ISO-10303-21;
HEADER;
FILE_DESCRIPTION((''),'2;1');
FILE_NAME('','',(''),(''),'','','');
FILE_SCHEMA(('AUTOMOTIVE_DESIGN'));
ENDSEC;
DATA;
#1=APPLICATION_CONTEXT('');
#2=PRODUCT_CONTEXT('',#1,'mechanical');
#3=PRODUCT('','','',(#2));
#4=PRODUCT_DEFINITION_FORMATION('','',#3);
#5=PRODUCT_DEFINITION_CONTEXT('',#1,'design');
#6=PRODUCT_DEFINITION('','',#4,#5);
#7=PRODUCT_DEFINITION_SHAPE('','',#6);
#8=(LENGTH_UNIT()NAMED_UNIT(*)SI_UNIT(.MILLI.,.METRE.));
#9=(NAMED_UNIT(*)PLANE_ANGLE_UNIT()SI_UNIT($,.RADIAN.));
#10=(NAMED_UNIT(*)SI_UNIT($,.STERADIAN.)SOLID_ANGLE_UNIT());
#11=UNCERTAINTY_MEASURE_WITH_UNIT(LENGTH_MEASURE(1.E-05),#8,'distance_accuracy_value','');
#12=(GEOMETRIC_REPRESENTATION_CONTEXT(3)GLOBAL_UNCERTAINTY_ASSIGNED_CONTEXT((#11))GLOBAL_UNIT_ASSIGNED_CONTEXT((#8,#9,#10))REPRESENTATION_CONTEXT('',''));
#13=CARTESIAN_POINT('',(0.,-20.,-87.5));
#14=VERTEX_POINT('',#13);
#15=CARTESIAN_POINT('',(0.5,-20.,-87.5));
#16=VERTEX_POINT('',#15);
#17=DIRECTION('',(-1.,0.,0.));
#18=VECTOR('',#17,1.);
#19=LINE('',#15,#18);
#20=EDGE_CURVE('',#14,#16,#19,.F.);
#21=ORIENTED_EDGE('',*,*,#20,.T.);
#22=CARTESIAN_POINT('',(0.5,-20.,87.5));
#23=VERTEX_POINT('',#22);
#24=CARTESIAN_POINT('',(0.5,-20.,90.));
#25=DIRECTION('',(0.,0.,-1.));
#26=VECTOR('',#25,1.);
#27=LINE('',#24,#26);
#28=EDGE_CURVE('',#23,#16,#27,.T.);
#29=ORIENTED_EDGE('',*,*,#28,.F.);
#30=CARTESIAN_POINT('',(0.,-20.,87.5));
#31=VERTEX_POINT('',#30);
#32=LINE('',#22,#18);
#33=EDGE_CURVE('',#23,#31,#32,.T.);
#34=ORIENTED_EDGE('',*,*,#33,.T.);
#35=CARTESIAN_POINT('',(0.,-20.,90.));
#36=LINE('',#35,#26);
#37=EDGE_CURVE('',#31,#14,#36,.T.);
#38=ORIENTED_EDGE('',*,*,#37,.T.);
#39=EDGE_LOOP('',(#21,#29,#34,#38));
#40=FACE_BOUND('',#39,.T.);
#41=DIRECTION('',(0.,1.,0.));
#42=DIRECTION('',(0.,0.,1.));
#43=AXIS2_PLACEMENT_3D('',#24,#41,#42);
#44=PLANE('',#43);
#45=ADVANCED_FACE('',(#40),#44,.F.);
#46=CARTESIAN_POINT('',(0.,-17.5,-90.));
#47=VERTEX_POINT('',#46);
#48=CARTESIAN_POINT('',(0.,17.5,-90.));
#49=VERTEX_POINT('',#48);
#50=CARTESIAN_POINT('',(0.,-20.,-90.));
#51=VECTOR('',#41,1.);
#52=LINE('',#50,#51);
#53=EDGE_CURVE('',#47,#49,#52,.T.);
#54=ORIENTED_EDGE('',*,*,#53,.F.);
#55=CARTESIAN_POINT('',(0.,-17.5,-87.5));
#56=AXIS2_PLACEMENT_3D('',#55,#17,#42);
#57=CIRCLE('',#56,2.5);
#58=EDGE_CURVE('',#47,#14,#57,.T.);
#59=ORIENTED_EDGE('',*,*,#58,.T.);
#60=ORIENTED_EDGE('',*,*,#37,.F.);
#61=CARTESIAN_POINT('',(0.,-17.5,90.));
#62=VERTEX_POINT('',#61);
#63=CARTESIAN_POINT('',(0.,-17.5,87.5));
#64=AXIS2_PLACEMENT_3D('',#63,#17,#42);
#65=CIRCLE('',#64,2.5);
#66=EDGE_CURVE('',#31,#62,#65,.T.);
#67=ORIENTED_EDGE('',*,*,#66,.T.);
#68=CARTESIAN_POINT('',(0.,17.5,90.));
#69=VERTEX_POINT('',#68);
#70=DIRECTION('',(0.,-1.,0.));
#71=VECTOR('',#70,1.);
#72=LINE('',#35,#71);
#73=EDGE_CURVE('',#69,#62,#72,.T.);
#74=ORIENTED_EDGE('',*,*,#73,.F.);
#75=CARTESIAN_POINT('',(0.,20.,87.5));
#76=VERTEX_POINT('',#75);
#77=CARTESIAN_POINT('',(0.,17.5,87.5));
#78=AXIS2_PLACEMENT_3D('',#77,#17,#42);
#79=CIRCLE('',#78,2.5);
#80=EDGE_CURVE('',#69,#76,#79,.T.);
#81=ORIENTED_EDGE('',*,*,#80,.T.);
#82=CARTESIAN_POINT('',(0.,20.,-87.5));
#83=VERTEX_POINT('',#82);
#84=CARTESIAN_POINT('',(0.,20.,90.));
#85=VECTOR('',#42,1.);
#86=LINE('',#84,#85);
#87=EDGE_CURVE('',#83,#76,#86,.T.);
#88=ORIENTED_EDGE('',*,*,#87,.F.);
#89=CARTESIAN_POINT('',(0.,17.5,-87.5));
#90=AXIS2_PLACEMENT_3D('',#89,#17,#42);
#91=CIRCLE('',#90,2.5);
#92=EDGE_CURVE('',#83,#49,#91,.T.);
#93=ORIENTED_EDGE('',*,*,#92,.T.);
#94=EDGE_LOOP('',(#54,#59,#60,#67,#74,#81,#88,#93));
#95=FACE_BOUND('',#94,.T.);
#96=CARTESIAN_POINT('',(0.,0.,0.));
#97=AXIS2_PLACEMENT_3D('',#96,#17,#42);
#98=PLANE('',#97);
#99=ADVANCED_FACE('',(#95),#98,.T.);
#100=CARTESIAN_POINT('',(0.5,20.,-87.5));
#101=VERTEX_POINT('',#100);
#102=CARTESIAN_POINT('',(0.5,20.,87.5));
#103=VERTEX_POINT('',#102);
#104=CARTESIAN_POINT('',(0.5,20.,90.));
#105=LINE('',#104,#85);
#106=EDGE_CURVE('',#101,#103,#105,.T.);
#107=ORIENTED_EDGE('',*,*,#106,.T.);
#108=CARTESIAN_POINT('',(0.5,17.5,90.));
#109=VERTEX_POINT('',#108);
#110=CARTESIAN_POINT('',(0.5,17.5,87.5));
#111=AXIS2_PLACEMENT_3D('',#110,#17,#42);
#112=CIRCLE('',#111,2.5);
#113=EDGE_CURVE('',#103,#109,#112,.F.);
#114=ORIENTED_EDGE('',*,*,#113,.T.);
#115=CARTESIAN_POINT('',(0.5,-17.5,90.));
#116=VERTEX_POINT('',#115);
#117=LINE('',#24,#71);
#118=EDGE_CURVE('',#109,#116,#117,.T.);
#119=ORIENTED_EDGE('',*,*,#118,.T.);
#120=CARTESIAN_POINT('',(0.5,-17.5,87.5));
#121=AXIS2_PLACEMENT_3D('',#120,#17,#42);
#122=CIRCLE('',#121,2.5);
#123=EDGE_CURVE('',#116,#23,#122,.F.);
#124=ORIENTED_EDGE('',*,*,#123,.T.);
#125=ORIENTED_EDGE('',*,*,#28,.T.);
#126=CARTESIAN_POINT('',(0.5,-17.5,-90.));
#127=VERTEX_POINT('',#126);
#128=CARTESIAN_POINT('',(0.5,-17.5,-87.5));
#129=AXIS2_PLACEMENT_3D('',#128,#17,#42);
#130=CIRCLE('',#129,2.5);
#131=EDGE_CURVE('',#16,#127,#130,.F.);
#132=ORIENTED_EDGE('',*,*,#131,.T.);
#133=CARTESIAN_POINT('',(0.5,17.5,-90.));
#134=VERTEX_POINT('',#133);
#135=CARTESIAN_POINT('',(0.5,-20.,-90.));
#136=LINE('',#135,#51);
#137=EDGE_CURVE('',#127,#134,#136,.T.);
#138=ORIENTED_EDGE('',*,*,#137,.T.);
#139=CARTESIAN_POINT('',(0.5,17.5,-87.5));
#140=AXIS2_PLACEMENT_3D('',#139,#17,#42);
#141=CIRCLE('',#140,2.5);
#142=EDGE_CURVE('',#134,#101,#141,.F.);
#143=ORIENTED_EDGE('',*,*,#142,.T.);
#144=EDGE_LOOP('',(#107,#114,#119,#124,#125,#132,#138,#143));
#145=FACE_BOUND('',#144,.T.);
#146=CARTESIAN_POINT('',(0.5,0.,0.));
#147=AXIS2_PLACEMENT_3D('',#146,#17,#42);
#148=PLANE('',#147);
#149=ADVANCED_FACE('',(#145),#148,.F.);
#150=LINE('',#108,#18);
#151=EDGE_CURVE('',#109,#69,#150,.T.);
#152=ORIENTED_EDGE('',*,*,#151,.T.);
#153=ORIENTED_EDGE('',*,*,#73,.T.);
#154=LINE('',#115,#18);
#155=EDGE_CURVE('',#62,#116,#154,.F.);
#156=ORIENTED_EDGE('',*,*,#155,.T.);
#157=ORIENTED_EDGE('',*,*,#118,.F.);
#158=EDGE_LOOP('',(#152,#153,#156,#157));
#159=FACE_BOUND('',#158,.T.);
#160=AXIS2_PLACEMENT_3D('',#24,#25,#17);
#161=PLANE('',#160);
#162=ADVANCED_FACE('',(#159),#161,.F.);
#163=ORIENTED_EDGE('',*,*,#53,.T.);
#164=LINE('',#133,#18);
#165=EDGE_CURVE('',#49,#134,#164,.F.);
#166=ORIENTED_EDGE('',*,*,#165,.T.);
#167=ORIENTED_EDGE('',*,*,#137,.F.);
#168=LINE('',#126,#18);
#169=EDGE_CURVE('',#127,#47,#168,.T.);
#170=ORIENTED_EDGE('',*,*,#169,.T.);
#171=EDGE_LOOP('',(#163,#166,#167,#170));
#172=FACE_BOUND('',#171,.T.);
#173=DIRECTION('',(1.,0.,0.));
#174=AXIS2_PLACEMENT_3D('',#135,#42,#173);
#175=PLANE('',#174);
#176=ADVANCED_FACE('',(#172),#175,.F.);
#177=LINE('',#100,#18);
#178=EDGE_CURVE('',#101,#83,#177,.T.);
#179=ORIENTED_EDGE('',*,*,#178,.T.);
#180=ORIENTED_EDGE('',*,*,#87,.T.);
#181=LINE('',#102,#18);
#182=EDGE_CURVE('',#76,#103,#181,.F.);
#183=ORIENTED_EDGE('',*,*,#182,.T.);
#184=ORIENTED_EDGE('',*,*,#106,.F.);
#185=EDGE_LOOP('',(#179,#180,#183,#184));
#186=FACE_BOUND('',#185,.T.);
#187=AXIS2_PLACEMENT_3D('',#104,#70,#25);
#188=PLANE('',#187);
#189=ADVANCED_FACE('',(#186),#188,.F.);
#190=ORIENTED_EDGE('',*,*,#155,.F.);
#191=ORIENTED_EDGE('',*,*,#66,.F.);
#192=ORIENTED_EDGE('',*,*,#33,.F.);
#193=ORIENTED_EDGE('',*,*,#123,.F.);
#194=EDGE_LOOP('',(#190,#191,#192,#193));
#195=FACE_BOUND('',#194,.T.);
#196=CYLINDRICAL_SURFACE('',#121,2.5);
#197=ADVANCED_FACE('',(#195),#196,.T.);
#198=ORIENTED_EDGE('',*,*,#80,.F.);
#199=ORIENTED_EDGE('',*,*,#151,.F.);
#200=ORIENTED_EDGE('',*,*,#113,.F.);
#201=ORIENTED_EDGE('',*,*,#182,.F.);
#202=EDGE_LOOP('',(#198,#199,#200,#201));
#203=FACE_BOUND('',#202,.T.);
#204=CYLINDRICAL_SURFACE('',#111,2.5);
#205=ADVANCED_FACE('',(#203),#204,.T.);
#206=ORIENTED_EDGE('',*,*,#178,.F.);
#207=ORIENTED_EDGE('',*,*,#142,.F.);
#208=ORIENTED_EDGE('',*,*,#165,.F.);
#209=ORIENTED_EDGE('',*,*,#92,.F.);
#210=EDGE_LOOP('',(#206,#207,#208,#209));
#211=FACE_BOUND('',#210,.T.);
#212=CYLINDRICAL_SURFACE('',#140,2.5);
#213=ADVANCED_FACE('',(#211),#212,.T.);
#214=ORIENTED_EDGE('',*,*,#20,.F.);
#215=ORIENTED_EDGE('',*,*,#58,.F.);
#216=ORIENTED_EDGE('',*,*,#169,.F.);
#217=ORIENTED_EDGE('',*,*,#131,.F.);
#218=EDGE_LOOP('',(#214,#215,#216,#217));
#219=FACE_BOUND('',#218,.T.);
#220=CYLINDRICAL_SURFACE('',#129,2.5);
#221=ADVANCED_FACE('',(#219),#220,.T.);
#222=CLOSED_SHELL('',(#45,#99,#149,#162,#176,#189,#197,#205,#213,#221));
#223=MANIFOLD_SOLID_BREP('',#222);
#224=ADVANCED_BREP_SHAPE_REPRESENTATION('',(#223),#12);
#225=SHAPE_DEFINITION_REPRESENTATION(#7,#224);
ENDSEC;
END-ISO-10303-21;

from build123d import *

# Parameters (mm, degrees)
SKETCH1_W           = 180
SKETCH1_H           = 40
BOSS_EXTRUDE1_DEPTH = 0.5
FILLET1_R           = 2.5


with BuildPart() as part:
    # Sketch1 → Boss-Extrude1 (new body)
    with BuildSketch(Plane(origin=(0, 0, 0), x_dir=(0, 0, -1), z_dir=(1, 0, 0))):
        Rectangle(SKETCH1_W, SKETCH1_H)
    extrude(amount=BOSS_EXTRUDE1_DEPTH)

    # Fillet1
    fillet1_edges = [part.edges().sort_by_distance(p)[0] for p in [
        (0.25, -20, -90),
        (0.25, -20, 90),
        (0.25, 20, 90),
        (0.25, 20, -90),
    ]]
    fillet(fillet1_edges, radius=FILLET1_R)


solid = part.part
